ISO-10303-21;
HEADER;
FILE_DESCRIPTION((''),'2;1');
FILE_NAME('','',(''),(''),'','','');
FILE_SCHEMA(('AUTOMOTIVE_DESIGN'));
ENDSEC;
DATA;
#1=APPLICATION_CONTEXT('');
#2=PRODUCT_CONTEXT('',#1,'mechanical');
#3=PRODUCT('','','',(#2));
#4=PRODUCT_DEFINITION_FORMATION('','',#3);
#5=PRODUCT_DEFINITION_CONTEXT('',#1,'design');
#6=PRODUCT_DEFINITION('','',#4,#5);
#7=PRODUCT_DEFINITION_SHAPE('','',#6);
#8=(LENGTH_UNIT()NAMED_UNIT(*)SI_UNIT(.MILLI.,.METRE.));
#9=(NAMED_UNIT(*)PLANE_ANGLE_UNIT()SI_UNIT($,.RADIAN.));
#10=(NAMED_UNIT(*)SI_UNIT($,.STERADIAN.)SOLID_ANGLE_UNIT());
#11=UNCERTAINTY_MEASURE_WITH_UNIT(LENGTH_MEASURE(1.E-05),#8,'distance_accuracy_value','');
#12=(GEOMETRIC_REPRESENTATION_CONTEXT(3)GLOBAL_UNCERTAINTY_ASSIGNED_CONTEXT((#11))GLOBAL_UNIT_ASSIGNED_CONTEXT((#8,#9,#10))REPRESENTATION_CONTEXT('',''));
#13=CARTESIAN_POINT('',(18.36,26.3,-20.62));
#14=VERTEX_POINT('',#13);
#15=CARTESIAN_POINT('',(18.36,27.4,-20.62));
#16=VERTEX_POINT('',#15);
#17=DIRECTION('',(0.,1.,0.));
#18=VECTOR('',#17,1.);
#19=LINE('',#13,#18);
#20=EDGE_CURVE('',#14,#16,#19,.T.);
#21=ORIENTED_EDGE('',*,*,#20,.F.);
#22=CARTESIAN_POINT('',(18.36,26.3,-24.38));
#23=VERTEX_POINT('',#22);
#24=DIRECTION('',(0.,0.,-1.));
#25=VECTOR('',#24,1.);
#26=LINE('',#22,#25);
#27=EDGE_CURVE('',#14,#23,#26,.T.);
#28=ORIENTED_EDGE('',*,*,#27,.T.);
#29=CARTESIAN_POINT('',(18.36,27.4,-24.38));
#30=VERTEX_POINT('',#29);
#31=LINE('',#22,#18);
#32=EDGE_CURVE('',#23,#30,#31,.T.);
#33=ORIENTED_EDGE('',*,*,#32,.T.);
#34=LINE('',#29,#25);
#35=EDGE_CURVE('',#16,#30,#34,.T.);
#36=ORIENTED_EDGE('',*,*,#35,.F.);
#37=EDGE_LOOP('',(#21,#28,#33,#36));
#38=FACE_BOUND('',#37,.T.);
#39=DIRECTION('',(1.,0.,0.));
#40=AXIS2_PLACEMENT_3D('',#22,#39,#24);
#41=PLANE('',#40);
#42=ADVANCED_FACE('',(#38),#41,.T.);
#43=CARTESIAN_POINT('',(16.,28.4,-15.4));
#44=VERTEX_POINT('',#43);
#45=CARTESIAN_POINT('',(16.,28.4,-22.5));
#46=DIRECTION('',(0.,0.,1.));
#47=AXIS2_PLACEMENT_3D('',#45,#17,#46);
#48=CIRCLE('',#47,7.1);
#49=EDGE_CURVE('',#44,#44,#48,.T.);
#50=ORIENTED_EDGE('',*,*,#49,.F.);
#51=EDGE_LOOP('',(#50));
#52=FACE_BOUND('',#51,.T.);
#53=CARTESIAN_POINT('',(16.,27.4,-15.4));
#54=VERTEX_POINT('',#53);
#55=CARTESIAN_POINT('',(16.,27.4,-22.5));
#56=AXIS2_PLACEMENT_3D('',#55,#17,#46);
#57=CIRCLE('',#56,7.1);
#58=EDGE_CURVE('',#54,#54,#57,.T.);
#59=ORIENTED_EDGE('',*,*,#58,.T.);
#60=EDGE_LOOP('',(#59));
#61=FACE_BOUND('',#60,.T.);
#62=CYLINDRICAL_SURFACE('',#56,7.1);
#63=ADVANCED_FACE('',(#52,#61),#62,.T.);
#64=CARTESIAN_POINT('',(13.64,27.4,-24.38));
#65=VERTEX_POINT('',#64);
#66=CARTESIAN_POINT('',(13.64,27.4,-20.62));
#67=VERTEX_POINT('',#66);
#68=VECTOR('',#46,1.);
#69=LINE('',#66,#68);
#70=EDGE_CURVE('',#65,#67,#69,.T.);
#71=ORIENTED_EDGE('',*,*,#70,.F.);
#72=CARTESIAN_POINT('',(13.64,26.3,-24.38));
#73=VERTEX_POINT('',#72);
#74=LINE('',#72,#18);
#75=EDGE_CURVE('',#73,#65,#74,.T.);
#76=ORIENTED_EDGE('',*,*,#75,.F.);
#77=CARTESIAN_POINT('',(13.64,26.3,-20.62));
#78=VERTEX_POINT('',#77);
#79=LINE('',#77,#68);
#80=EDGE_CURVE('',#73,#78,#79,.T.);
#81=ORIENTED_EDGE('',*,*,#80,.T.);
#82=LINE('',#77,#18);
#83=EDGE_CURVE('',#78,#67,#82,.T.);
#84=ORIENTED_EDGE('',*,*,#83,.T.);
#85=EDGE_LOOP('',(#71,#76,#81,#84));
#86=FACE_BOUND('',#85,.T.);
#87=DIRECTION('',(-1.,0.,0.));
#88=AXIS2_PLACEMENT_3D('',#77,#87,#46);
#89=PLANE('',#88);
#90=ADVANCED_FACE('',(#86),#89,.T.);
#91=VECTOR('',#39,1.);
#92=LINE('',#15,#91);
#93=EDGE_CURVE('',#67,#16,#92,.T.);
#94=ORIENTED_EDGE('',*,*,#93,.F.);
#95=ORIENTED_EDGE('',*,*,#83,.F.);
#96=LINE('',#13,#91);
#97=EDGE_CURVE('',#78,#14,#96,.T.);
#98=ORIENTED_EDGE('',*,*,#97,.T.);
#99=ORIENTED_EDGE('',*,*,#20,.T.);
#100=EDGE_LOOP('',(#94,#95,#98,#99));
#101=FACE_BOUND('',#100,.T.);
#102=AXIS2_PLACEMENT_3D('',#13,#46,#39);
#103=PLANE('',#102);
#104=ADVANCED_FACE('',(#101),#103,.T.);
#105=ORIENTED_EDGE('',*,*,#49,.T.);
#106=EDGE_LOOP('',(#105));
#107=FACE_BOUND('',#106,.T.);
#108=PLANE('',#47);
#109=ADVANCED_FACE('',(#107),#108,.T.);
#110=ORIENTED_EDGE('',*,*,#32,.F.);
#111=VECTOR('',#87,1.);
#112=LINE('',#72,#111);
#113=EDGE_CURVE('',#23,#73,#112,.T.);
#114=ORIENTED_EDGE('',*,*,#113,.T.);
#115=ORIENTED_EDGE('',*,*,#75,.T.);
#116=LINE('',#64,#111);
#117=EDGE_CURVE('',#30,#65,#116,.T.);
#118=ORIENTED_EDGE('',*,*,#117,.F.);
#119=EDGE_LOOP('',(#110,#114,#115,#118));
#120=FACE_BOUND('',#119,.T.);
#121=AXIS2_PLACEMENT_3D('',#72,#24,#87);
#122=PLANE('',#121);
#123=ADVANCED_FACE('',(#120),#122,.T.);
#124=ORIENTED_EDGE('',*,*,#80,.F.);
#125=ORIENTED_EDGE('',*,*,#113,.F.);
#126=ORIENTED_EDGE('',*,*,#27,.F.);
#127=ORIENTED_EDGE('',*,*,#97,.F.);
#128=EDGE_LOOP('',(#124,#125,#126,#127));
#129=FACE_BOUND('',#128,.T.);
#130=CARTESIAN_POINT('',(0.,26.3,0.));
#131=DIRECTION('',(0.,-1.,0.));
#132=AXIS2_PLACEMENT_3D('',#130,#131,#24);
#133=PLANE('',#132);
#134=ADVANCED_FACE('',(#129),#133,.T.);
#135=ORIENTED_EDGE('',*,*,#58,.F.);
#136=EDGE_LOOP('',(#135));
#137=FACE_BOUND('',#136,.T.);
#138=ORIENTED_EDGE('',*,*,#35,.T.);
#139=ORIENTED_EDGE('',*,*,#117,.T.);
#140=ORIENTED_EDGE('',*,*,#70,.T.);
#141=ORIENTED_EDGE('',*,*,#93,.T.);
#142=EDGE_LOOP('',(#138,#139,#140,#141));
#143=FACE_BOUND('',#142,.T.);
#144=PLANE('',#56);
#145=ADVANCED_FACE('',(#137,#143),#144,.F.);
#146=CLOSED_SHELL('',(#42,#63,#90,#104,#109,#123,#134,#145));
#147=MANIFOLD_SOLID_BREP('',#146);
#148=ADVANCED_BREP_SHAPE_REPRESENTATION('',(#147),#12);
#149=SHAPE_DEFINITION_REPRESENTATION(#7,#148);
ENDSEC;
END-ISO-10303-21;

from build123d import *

# Parameters (mm, degrees)
PCB_SK1_R = 7.1
PCB_DEPTH = 1
MIC_SK2_W = 4.72
MIC_SK2_H = 3.76
MIC_DEPTH = 1.1


with BuildPart() as part:
    # PCB_Sk1 → PCB (new body)
    with BuildSketch(Plane(origin=(0, 28.4, 0), x_dir=(1, 0, 0), z_dir=(0, 1, 0))):
        with Locations(Location((16, 22.5, 0), (0, 0, 270))):
            Circle(PCB_SK1_R)
    extrude(amount=-PCB_DEPTH)

    # Mic_Sk2 → Mic (add)
    with BuildSketch(Plane(origin=(0, 27.4, 0), x_dir=(1, 0, 0), z_dir=(0, 1, 0))):
        with Locations((16, 22.5)):
            Rectangle(MIC_SK2_W, MIC_SK2_H)
    extrude(amount=-MIC_DEPTH)


solid = part.part
